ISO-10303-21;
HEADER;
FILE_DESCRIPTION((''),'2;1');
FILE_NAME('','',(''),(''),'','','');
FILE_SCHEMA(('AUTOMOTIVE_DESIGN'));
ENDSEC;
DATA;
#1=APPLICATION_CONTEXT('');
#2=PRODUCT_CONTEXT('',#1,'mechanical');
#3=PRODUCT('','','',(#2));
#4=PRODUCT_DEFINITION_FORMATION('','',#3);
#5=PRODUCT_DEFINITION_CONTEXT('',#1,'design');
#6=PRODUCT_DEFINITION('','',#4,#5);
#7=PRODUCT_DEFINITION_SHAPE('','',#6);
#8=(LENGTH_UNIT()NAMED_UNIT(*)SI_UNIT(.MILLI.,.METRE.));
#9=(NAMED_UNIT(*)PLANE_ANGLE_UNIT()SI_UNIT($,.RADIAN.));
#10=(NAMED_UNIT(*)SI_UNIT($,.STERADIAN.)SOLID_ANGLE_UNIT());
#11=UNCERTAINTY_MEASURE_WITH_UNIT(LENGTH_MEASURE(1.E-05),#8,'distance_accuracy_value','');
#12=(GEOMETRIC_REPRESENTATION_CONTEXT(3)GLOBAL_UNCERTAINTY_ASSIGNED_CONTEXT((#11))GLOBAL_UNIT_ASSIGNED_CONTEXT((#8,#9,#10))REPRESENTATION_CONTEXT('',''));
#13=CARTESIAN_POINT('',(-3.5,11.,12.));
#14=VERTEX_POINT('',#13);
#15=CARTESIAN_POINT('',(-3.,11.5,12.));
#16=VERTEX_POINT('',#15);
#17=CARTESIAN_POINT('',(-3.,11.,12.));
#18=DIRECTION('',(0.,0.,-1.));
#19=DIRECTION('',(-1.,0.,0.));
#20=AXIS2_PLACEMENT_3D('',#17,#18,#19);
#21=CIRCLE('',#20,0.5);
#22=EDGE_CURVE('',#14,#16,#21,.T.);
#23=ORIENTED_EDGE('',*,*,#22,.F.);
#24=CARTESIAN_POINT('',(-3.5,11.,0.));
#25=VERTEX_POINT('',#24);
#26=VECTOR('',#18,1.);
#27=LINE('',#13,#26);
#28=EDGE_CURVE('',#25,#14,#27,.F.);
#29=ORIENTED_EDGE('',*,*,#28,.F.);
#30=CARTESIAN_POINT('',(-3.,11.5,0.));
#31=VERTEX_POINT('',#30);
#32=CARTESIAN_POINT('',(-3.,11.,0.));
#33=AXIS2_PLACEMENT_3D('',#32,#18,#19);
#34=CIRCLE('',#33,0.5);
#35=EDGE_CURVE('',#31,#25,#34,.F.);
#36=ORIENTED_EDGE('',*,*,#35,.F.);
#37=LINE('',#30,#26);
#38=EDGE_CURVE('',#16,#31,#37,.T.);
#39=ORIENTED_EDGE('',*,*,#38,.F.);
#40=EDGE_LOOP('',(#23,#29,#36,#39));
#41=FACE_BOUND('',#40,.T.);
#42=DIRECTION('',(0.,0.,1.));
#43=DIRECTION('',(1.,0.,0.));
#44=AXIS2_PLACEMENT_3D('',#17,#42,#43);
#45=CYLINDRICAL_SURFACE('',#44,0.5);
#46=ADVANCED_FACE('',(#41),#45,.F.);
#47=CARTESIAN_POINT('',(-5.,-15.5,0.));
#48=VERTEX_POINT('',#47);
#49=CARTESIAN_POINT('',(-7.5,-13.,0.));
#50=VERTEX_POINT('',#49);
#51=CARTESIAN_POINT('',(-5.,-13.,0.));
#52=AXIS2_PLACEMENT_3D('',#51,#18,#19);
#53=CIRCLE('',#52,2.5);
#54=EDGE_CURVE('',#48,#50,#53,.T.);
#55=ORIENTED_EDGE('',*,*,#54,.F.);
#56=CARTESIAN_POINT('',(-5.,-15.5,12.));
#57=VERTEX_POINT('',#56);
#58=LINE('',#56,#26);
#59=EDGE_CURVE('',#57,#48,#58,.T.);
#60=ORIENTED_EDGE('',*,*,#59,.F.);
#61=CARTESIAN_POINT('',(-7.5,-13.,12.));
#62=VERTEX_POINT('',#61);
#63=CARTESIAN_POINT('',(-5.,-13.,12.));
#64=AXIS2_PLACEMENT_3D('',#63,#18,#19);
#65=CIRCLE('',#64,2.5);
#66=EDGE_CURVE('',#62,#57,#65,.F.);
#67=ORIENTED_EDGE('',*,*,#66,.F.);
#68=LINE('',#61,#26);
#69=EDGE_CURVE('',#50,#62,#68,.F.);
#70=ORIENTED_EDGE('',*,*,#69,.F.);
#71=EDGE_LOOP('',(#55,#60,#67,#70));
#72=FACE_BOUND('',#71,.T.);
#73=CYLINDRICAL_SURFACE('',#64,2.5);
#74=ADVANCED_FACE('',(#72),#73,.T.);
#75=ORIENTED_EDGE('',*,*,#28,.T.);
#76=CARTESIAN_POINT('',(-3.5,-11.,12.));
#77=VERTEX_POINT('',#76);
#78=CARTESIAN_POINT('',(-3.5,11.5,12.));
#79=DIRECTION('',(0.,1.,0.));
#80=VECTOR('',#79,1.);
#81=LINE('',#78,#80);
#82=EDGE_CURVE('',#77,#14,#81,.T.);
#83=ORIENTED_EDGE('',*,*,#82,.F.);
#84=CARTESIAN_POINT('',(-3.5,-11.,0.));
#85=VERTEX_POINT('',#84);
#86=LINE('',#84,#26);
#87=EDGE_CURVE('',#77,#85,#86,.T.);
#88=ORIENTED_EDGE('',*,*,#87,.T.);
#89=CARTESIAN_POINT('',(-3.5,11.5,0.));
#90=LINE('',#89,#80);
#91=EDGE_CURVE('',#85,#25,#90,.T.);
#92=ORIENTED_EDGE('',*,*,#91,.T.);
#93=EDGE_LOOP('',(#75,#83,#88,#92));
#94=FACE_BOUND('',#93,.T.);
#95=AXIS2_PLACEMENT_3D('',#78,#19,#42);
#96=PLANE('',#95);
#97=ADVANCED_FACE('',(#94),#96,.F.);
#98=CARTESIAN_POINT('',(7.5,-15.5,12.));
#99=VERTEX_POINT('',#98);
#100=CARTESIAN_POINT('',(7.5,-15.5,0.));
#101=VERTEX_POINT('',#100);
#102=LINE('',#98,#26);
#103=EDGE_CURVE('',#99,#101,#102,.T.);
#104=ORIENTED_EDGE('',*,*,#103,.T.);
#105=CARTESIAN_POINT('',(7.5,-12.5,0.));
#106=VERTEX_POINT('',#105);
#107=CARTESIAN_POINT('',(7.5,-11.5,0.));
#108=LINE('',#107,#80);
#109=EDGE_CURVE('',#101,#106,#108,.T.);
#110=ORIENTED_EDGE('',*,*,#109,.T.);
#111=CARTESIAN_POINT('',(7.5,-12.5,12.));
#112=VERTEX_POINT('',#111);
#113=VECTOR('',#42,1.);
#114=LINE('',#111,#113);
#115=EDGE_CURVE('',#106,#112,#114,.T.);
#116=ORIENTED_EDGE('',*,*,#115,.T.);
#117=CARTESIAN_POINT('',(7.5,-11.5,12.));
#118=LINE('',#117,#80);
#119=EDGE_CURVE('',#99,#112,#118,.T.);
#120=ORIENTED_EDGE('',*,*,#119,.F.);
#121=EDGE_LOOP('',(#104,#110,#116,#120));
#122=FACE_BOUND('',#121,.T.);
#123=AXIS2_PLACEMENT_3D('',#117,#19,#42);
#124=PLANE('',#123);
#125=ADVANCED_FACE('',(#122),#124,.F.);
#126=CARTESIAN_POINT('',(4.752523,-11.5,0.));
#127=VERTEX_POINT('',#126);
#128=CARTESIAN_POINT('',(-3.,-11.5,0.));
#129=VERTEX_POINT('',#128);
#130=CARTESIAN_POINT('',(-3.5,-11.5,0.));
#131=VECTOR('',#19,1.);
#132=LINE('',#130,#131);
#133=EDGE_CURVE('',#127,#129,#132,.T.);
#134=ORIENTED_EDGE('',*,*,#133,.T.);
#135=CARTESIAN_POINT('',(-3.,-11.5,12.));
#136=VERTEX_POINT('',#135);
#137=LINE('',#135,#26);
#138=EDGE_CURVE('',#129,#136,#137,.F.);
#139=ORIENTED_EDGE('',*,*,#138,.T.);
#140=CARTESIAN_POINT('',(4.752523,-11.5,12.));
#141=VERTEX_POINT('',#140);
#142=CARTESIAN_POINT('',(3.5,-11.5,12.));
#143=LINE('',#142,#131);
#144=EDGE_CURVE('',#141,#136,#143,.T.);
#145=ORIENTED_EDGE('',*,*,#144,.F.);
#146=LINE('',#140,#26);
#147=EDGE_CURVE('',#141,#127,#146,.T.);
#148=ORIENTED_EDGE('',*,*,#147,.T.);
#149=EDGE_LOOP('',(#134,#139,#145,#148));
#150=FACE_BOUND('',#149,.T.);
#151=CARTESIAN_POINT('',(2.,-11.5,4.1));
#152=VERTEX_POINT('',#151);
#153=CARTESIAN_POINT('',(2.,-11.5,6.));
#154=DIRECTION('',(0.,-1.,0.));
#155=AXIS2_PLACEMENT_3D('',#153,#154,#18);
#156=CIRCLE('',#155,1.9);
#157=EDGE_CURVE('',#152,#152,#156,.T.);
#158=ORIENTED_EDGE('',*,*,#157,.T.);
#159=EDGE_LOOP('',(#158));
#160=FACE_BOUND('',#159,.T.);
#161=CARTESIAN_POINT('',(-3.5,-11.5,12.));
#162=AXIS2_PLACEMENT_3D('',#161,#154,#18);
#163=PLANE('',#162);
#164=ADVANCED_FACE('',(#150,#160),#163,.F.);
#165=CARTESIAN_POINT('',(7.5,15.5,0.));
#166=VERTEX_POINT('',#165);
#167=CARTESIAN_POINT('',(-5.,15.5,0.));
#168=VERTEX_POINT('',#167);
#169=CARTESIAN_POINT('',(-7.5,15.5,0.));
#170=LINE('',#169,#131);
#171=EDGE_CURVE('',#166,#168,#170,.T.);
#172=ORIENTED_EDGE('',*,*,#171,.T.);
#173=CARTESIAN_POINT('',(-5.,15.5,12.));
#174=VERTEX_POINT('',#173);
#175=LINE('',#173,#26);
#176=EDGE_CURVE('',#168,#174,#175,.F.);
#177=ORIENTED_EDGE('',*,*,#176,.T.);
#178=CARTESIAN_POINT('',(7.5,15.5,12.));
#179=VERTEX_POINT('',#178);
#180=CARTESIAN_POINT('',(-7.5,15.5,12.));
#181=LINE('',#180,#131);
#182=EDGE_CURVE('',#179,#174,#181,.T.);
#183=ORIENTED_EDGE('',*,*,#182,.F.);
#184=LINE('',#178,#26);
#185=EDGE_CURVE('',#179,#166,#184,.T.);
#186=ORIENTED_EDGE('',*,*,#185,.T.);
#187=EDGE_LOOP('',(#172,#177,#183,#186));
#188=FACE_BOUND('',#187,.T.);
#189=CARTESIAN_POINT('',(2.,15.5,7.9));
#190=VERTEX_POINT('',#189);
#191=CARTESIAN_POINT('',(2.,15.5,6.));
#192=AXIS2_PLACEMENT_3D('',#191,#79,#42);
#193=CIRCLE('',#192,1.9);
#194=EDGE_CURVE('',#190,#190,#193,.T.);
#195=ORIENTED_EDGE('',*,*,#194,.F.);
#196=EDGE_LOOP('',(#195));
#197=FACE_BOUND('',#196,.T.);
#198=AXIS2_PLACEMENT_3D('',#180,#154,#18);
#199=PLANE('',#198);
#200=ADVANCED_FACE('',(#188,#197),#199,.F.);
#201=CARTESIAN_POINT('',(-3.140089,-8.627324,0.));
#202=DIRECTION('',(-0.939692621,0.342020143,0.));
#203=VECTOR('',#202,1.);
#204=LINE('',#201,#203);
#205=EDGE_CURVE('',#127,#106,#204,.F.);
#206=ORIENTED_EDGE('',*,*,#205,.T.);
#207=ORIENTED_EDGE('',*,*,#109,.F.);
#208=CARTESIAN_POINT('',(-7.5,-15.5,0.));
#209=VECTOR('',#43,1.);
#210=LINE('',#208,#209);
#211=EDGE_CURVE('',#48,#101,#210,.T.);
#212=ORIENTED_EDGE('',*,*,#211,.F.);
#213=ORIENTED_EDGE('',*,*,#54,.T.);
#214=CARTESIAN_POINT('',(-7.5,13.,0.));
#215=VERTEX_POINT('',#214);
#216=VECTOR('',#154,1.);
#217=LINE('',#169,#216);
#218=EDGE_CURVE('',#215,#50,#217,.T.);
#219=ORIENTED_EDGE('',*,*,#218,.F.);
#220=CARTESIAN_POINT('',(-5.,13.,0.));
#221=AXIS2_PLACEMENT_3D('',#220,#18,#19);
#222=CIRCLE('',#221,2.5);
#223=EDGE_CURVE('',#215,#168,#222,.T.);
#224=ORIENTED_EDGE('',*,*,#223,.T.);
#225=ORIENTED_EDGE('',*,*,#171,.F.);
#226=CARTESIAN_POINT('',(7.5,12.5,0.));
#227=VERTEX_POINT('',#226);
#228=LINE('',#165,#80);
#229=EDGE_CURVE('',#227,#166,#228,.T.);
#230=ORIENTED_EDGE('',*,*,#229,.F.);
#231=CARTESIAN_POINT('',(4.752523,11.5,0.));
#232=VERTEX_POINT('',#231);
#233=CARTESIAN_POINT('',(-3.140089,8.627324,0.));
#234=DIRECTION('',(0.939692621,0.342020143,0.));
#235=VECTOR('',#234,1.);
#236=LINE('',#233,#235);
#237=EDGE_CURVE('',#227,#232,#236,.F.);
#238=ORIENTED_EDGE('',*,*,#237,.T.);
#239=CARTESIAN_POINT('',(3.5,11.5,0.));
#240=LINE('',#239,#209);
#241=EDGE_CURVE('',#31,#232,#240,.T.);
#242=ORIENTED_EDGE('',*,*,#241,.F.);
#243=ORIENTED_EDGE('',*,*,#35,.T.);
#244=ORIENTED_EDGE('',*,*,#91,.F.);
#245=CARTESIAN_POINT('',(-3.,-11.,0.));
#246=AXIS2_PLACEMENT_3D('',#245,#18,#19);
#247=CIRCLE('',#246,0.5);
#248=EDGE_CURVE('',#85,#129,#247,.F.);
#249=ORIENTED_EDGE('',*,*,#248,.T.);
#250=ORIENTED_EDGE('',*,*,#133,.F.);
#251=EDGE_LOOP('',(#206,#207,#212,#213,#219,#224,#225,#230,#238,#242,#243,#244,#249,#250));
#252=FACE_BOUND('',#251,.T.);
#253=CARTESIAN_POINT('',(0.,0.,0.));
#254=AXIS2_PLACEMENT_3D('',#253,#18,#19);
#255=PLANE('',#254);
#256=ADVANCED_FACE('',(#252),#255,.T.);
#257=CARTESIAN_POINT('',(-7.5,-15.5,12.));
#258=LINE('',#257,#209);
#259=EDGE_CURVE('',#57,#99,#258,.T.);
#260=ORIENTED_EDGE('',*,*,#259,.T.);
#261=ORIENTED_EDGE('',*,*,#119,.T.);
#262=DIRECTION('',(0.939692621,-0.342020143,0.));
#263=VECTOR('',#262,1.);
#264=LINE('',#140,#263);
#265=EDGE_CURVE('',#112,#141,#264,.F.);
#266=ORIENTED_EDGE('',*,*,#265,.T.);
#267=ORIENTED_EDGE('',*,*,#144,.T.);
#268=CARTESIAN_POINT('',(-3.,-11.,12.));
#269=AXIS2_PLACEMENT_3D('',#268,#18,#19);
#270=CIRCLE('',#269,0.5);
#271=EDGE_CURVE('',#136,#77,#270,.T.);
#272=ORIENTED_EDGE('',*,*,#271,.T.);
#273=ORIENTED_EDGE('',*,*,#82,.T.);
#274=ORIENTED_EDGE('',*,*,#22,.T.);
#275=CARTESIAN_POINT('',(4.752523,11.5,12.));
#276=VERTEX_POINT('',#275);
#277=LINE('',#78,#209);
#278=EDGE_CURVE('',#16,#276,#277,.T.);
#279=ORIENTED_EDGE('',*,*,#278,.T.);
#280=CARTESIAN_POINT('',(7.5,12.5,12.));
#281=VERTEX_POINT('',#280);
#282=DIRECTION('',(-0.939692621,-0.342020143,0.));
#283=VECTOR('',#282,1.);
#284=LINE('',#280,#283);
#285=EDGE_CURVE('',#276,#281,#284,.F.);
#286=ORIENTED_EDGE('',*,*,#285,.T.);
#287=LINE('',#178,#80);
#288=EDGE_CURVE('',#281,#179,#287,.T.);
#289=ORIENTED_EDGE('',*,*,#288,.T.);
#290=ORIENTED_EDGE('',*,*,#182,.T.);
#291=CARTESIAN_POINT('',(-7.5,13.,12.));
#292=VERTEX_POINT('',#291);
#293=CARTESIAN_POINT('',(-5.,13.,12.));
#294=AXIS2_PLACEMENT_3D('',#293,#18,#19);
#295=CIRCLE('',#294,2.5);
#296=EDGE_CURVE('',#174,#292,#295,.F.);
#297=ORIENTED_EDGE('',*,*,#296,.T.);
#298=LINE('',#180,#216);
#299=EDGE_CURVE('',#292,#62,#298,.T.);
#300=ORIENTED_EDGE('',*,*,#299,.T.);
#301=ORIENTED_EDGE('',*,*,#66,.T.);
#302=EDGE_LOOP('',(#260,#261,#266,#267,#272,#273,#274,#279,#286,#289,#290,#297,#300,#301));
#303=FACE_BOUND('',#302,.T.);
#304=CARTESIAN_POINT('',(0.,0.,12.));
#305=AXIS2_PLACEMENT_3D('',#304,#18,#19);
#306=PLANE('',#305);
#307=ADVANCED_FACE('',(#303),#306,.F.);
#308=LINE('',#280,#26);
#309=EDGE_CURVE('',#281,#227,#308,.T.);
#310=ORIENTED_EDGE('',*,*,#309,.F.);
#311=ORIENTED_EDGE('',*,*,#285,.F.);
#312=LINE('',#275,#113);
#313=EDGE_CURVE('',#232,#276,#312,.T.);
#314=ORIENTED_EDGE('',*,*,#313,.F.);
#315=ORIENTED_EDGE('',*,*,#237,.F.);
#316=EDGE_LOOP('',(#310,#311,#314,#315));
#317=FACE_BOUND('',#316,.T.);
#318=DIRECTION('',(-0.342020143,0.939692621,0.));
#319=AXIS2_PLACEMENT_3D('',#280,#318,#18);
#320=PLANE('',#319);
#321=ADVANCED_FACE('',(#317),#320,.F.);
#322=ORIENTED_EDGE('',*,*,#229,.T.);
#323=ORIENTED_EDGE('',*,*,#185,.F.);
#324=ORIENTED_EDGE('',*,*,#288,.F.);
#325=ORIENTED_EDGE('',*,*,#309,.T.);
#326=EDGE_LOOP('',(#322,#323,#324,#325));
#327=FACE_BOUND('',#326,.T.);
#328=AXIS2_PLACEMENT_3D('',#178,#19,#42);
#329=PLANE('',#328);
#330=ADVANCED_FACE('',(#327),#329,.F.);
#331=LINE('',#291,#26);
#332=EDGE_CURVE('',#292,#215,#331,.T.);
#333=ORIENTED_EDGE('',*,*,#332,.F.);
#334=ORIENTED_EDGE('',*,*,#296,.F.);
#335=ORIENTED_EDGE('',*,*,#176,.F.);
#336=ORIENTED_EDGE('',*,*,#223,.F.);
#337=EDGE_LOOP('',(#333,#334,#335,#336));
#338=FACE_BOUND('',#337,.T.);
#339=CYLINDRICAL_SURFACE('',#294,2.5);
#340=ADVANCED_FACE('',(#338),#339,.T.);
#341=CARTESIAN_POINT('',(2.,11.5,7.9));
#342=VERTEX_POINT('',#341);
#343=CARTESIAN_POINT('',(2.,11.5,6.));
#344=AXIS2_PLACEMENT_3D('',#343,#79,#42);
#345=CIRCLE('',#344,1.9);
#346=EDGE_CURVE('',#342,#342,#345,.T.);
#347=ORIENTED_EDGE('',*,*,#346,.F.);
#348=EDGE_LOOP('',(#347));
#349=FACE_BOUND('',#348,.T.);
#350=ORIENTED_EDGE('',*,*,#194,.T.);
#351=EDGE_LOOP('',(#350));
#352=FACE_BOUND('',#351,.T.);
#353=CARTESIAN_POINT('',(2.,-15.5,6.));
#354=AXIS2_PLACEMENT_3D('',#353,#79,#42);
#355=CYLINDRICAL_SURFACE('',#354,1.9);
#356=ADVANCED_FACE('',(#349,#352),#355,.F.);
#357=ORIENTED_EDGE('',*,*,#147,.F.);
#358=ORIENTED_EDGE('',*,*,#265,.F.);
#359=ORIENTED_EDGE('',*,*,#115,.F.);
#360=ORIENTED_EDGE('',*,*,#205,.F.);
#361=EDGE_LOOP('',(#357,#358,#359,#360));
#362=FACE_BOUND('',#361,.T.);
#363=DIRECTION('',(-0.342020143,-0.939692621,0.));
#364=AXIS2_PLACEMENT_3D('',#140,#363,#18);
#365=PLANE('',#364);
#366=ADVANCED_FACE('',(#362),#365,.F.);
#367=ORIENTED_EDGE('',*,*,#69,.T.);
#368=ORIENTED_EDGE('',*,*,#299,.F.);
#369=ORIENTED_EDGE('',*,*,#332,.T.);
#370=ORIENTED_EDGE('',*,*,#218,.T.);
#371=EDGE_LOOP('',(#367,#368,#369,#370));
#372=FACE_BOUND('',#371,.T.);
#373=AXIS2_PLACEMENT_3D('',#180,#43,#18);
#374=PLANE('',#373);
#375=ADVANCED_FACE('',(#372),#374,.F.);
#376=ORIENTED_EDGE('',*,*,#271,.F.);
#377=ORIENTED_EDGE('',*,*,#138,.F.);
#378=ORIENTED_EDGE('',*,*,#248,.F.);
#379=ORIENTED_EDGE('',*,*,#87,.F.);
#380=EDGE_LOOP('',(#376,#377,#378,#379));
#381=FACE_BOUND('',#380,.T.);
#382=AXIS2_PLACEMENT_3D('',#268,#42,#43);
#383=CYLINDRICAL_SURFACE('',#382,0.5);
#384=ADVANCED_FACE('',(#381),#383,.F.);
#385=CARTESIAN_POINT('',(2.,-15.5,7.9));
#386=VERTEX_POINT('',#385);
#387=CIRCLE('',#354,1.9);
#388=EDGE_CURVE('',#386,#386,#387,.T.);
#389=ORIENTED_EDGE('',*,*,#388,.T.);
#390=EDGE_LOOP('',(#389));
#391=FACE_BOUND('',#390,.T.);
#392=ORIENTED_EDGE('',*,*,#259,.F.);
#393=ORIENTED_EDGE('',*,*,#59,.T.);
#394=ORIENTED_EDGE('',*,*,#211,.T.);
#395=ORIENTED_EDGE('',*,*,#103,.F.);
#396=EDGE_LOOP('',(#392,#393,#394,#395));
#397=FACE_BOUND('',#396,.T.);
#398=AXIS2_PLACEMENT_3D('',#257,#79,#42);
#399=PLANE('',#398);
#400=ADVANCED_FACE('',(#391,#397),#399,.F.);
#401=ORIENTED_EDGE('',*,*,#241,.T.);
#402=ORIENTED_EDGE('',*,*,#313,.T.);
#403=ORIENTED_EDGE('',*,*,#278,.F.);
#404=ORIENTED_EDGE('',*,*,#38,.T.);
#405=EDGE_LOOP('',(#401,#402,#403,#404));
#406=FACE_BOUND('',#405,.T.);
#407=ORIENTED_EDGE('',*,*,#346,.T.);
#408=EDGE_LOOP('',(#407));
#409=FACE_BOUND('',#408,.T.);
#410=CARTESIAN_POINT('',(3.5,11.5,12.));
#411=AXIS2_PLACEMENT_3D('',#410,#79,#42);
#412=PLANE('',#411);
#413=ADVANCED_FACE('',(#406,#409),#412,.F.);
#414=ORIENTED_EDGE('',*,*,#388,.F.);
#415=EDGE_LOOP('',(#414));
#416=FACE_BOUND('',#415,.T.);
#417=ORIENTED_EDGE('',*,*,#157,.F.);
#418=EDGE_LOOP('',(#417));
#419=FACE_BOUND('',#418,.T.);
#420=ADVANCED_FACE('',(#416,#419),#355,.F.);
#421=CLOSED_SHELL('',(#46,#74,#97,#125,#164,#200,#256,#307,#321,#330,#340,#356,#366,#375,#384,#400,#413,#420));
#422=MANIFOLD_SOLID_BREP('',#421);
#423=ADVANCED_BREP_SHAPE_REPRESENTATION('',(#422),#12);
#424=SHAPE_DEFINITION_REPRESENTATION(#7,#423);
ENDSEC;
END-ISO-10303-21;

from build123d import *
from OCP.BRepFilletAPI import BRepFilletAPI_MakeChamfer

# Parameters (mm, degrees)
SALIENTE_EXTRUIR1_DEPTH = 12
CROQUIS2_R              = 1.9
CORTAR_EXTRUIR1_DEPTH   = 35.077118423
REDONDEO1_R             = 0.5
REDONDEO2_R             = 2.5
CHAFL_N1_SIZE           = 1
CHAFL_N1_SIZE2          = 2.747477419


with BuildPart() as part:
    # Croquis1 → Saliente-Extruir1 (new body)
    with BuildSketch(Plane.XY):
        Polygon((-3.5, 11.5), (3.5, 11.5), (7.5, 11.5), (7.5, 15.5), (-7.5, 15.5), (-7.5, -15.5), (7.5, -15.5), (7.5, -11.5), (3.5, -11.5), (-3.5, -11.5), align=None)
    extrude(amount=SALIENTE_EXTRUIR1_DEPTH)

    # Croquis2 → Cortar-Extruir1 (cut, through all)
    with BuildSketch(Plane(origin=(0, 15.5, 0), x_dir=(1, 0, 0), z_dir=(0, 1, 0))):
        with Locations(Location((2, -6, 0), (0, 0, 270))):
            Circle(CROQUIS2_R)
    extrude(amount=-CORTAR_EXTRUIR1_DEPTH, mode=Mode.SUBTRACT)

    # Redondeo1
    redondeo1_edges = [part.edges().sort_by_distance(p)[0] for p in [
        (-3.5, 11.5, 6),
        (-3.5, -11.5, 6),
    ]]
    fillet(redondeo1_edges, radius=REDONDEO1_R)

    # Redondeo2
    redondeo2_edges = [part.edges().sort_by_distance(p)[0] for p in [
        (-7.5, -15.5, 6),
        (-7.5, 15.5, 6),
    ]]
    fillet(redondeo2_edges, radius=REDONDEO2_R)

    # Chaflán1: one chamfer whose edges measure the first distance from different faces: ONE call of the kernel's chamfer builder (chamfer() names one face for all edges)
    chafl_n1_edges_1 = [part.edges().sort_by_distance(p)[0] for p in [
        (7.5, -11.5, 6),
    ]]
    chafl_n1_side_1 = [part.faces().sort_by_distance(p)[0] for p in [
        (7.5, -13.5, 6),
    ]]
    chafl_n1_edges_2 = [part.edges().sort_by_distance(p)[0] for p in [
        (7.5, 11.5, 6),
    ]]
    chafl_n1_side_2 = [part.faces().sort_by_distance(p)[0] for p in [
        (7.5, 13.5, 6),
    ]]
    chafl_n1 = BRepFilletAPI_MakeChamfer(part.part.solid().wrapped)
    for e in chafl_n1_edges_1:
        chafl_n1.Add(CHAFL_N1_SIZE, CHAFL_N1_SIZE2, e.wrapped, chafl_n1_side_1[0].wrapped)  # the first distance lies on this face
    for e in chafl_n1_edges_2:
        chafl_n1.Add(CHAFL_N1_SIZE, CHAFL_N1_SIZE2, e.wrapped, chafl_n1_side_2[0].wrapped)  # the first distance lies on this face
    add(Compound.cast(chafl_n1.Shape()), mode=Mode.REPLACE)


solid = part.part
